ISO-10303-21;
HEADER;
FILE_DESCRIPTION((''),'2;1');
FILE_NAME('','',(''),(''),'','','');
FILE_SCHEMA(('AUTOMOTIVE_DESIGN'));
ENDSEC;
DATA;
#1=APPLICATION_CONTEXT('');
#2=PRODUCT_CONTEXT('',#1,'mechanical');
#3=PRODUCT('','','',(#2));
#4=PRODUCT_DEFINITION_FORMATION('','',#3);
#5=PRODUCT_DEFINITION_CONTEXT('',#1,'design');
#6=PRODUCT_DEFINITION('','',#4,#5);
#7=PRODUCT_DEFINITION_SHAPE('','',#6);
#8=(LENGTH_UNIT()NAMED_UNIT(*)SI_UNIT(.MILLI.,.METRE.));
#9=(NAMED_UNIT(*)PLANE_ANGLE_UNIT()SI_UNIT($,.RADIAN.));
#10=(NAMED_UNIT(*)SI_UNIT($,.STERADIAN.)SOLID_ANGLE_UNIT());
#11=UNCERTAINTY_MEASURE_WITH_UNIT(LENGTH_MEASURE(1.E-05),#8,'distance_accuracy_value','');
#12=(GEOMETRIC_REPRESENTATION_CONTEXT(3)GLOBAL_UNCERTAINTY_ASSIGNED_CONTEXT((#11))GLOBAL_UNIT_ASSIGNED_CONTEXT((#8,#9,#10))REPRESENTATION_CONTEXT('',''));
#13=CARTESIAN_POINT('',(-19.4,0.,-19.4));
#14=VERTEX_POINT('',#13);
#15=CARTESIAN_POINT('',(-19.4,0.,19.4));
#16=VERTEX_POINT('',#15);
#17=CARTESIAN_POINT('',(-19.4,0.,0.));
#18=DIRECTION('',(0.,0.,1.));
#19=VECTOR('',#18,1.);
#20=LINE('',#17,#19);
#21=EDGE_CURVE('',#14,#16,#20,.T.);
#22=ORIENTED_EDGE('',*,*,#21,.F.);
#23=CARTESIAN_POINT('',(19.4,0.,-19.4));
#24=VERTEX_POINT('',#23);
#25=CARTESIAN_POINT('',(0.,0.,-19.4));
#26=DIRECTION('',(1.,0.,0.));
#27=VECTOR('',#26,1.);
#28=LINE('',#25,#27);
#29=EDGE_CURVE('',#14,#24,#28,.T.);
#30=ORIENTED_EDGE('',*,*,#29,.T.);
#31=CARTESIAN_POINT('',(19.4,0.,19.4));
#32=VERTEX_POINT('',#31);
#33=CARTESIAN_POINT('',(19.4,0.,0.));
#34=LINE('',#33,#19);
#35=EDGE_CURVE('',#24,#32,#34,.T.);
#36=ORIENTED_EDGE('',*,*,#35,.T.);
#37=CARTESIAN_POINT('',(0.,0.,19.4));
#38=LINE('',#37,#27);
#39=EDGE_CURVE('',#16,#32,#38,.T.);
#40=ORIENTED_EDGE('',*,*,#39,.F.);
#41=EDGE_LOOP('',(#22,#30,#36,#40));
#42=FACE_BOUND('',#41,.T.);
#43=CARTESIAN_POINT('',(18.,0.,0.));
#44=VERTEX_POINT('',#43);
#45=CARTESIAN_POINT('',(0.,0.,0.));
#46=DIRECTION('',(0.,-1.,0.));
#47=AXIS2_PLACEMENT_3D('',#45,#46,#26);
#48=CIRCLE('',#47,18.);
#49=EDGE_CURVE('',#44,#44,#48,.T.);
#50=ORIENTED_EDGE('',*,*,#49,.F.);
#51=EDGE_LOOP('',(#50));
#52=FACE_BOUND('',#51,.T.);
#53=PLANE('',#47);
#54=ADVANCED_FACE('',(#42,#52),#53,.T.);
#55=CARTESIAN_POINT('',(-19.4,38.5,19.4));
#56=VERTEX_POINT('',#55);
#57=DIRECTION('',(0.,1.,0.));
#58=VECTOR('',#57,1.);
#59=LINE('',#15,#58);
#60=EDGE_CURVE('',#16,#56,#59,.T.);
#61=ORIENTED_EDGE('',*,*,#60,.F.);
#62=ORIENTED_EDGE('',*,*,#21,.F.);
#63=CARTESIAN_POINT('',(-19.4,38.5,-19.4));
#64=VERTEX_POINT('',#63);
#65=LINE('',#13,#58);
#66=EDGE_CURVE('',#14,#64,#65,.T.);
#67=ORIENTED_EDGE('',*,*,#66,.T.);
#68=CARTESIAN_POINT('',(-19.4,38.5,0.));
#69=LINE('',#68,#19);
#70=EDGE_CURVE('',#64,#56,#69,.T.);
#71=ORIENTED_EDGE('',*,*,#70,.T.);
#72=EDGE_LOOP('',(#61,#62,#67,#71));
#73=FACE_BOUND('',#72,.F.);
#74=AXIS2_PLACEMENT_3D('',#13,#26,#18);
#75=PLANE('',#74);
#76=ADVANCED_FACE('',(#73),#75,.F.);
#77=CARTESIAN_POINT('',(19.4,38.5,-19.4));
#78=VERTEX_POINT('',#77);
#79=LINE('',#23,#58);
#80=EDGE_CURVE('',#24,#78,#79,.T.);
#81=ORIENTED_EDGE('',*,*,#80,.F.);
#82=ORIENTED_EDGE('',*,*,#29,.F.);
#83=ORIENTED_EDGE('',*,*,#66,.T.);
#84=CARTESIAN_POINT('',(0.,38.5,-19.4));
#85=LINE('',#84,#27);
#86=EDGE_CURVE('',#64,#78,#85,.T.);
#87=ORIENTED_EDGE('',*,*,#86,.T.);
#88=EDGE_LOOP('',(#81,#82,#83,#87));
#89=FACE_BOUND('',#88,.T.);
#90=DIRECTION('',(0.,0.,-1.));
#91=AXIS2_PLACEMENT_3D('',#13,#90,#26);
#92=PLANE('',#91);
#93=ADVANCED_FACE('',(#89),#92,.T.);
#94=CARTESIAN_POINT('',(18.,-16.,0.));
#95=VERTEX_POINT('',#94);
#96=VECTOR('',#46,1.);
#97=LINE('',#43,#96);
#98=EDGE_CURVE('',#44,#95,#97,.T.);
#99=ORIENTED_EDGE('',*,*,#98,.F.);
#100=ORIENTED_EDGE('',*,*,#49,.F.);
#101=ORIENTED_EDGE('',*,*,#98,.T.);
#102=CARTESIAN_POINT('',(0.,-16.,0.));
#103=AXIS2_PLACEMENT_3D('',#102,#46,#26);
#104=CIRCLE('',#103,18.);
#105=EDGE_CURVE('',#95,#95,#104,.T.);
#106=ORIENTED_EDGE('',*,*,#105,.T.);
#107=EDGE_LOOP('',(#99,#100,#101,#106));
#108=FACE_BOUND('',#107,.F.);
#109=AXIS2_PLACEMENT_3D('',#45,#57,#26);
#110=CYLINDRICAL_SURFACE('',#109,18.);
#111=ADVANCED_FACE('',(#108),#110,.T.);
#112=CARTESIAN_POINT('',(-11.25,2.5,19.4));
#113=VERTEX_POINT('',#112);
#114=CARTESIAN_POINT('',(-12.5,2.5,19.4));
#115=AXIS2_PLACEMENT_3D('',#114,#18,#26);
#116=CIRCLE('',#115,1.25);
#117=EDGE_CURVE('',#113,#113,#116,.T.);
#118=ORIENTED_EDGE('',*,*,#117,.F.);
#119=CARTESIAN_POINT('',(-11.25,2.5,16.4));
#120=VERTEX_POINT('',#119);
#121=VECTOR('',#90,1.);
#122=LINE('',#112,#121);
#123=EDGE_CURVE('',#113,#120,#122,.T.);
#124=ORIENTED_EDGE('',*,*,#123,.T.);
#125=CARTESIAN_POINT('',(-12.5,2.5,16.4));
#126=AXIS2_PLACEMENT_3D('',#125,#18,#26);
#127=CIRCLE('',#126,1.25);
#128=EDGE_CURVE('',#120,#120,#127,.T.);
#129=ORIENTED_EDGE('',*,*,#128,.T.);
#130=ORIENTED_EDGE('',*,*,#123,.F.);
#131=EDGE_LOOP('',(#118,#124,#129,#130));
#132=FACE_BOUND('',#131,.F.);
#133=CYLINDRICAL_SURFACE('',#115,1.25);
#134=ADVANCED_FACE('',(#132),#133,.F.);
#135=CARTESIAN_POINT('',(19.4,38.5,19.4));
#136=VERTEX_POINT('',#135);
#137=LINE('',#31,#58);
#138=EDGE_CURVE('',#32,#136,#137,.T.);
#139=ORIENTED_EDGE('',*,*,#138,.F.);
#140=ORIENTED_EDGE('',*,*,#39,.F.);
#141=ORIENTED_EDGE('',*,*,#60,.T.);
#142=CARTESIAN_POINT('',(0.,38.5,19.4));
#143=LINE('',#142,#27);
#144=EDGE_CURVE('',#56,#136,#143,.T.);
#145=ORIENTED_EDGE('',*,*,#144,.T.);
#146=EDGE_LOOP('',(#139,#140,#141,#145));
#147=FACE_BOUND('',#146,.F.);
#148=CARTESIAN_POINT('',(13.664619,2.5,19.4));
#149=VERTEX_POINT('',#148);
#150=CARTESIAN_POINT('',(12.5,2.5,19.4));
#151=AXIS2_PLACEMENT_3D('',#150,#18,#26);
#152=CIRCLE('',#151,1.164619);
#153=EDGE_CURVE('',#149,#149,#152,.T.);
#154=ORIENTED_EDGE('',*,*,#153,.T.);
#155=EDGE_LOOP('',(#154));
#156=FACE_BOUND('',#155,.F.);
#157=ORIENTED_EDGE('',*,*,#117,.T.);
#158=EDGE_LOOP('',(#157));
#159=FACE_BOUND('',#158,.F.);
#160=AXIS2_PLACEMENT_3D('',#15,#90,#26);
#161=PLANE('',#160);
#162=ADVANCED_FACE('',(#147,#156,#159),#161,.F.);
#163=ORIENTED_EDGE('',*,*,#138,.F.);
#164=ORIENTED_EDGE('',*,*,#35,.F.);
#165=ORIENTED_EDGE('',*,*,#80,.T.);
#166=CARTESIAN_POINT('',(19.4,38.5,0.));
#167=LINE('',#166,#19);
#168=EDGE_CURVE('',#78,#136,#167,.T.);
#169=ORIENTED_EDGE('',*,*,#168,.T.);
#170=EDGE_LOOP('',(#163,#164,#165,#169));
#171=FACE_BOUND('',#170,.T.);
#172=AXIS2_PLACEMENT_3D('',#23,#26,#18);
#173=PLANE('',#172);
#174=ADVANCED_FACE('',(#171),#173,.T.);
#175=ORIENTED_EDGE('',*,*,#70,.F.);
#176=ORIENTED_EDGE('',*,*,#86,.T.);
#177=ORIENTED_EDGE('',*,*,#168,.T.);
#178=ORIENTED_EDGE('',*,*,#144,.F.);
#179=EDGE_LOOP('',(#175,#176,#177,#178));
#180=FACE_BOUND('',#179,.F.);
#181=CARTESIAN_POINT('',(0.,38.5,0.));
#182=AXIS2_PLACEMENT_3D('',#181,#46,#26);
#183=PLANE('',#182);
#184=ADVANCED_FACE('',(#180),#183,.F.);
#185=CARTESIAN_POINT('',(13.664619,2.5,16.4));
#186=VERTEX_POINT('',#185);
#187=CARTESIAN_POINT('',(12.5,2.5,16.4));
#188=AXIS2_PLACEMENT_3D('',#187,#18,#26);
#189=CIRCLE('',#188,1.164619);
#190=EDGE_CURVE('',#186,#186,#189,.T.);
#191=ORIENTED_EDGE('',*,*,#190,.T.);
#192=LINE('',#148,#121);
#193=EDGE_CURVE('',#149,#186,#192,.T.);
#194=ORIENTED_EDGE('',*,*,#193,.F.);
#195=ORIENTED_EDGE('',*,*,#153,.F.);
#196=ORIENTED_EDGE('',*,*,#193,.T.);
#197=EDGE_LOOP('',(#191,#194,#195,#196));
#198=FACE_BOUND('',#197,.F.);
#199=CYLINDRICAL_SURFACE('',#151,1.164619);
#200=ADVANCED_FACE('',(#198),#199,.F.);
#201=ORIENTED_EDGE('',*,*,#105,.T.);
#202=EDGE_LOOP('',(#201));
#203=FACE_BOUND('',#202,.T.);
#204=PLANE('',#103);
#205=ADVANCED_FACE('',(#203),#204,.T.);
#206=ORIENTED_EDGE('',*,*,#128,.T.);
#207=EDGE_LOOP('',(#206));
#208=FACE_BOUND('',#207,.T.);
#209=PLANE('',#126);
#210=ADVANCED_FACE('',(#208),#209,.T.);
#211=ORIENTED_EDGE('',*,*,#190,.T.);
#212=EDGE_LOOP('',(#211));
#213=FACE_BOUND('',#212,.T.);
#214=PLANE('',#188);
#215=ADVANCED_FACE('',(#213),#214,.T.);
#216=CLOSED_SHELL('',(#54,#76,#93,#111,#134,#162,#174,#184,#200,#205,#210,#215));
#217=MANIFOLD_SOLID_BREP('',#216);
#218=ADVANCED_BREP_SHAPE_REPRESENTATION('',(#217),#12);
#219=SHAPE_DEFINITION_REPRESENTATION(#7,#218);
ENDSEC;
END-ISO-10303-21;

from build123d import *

# Parameters (mm, degrees)
F0_W     = 38.8
F0_H     = 38.8
F0_R     = 18
F1_DEPTH = 38.5
F2_DEPTH = 16
F3_R     = 1.164619
F3_R_2   = 1.25
F4_DEPTH = 3


with BuildPart() as f1:
    # F0 (on Front) → F1 (new body)
    with BuildSketch(Plane.XZ):
        Rectangle(F0_W, F0_H)
        Circle(F0_R, mode=Mode.SUBTRACT)
        Circle(F0_R)
    extrude(amount=-F1_DEPTH)

    # F0 (on Front) → F2 (join)
    with BuildSketch(Plane.XZ):
        Circle(F0_R)
    extrude(amount=F2_DEPTH)

    # F3 (on face) → F4 (cut)
    with BuildSketch(Plane.XY.offset(19.4)):
        with Locations((12.5, 2.5)):
            Circle(F3_R)
        with Locations((-12.5, 2.5)):
            Circle(F3_R_2)
    extrude(amount=-F4_DEPTH, mode=Mode.SUBTRACT)


solid = f1.part
